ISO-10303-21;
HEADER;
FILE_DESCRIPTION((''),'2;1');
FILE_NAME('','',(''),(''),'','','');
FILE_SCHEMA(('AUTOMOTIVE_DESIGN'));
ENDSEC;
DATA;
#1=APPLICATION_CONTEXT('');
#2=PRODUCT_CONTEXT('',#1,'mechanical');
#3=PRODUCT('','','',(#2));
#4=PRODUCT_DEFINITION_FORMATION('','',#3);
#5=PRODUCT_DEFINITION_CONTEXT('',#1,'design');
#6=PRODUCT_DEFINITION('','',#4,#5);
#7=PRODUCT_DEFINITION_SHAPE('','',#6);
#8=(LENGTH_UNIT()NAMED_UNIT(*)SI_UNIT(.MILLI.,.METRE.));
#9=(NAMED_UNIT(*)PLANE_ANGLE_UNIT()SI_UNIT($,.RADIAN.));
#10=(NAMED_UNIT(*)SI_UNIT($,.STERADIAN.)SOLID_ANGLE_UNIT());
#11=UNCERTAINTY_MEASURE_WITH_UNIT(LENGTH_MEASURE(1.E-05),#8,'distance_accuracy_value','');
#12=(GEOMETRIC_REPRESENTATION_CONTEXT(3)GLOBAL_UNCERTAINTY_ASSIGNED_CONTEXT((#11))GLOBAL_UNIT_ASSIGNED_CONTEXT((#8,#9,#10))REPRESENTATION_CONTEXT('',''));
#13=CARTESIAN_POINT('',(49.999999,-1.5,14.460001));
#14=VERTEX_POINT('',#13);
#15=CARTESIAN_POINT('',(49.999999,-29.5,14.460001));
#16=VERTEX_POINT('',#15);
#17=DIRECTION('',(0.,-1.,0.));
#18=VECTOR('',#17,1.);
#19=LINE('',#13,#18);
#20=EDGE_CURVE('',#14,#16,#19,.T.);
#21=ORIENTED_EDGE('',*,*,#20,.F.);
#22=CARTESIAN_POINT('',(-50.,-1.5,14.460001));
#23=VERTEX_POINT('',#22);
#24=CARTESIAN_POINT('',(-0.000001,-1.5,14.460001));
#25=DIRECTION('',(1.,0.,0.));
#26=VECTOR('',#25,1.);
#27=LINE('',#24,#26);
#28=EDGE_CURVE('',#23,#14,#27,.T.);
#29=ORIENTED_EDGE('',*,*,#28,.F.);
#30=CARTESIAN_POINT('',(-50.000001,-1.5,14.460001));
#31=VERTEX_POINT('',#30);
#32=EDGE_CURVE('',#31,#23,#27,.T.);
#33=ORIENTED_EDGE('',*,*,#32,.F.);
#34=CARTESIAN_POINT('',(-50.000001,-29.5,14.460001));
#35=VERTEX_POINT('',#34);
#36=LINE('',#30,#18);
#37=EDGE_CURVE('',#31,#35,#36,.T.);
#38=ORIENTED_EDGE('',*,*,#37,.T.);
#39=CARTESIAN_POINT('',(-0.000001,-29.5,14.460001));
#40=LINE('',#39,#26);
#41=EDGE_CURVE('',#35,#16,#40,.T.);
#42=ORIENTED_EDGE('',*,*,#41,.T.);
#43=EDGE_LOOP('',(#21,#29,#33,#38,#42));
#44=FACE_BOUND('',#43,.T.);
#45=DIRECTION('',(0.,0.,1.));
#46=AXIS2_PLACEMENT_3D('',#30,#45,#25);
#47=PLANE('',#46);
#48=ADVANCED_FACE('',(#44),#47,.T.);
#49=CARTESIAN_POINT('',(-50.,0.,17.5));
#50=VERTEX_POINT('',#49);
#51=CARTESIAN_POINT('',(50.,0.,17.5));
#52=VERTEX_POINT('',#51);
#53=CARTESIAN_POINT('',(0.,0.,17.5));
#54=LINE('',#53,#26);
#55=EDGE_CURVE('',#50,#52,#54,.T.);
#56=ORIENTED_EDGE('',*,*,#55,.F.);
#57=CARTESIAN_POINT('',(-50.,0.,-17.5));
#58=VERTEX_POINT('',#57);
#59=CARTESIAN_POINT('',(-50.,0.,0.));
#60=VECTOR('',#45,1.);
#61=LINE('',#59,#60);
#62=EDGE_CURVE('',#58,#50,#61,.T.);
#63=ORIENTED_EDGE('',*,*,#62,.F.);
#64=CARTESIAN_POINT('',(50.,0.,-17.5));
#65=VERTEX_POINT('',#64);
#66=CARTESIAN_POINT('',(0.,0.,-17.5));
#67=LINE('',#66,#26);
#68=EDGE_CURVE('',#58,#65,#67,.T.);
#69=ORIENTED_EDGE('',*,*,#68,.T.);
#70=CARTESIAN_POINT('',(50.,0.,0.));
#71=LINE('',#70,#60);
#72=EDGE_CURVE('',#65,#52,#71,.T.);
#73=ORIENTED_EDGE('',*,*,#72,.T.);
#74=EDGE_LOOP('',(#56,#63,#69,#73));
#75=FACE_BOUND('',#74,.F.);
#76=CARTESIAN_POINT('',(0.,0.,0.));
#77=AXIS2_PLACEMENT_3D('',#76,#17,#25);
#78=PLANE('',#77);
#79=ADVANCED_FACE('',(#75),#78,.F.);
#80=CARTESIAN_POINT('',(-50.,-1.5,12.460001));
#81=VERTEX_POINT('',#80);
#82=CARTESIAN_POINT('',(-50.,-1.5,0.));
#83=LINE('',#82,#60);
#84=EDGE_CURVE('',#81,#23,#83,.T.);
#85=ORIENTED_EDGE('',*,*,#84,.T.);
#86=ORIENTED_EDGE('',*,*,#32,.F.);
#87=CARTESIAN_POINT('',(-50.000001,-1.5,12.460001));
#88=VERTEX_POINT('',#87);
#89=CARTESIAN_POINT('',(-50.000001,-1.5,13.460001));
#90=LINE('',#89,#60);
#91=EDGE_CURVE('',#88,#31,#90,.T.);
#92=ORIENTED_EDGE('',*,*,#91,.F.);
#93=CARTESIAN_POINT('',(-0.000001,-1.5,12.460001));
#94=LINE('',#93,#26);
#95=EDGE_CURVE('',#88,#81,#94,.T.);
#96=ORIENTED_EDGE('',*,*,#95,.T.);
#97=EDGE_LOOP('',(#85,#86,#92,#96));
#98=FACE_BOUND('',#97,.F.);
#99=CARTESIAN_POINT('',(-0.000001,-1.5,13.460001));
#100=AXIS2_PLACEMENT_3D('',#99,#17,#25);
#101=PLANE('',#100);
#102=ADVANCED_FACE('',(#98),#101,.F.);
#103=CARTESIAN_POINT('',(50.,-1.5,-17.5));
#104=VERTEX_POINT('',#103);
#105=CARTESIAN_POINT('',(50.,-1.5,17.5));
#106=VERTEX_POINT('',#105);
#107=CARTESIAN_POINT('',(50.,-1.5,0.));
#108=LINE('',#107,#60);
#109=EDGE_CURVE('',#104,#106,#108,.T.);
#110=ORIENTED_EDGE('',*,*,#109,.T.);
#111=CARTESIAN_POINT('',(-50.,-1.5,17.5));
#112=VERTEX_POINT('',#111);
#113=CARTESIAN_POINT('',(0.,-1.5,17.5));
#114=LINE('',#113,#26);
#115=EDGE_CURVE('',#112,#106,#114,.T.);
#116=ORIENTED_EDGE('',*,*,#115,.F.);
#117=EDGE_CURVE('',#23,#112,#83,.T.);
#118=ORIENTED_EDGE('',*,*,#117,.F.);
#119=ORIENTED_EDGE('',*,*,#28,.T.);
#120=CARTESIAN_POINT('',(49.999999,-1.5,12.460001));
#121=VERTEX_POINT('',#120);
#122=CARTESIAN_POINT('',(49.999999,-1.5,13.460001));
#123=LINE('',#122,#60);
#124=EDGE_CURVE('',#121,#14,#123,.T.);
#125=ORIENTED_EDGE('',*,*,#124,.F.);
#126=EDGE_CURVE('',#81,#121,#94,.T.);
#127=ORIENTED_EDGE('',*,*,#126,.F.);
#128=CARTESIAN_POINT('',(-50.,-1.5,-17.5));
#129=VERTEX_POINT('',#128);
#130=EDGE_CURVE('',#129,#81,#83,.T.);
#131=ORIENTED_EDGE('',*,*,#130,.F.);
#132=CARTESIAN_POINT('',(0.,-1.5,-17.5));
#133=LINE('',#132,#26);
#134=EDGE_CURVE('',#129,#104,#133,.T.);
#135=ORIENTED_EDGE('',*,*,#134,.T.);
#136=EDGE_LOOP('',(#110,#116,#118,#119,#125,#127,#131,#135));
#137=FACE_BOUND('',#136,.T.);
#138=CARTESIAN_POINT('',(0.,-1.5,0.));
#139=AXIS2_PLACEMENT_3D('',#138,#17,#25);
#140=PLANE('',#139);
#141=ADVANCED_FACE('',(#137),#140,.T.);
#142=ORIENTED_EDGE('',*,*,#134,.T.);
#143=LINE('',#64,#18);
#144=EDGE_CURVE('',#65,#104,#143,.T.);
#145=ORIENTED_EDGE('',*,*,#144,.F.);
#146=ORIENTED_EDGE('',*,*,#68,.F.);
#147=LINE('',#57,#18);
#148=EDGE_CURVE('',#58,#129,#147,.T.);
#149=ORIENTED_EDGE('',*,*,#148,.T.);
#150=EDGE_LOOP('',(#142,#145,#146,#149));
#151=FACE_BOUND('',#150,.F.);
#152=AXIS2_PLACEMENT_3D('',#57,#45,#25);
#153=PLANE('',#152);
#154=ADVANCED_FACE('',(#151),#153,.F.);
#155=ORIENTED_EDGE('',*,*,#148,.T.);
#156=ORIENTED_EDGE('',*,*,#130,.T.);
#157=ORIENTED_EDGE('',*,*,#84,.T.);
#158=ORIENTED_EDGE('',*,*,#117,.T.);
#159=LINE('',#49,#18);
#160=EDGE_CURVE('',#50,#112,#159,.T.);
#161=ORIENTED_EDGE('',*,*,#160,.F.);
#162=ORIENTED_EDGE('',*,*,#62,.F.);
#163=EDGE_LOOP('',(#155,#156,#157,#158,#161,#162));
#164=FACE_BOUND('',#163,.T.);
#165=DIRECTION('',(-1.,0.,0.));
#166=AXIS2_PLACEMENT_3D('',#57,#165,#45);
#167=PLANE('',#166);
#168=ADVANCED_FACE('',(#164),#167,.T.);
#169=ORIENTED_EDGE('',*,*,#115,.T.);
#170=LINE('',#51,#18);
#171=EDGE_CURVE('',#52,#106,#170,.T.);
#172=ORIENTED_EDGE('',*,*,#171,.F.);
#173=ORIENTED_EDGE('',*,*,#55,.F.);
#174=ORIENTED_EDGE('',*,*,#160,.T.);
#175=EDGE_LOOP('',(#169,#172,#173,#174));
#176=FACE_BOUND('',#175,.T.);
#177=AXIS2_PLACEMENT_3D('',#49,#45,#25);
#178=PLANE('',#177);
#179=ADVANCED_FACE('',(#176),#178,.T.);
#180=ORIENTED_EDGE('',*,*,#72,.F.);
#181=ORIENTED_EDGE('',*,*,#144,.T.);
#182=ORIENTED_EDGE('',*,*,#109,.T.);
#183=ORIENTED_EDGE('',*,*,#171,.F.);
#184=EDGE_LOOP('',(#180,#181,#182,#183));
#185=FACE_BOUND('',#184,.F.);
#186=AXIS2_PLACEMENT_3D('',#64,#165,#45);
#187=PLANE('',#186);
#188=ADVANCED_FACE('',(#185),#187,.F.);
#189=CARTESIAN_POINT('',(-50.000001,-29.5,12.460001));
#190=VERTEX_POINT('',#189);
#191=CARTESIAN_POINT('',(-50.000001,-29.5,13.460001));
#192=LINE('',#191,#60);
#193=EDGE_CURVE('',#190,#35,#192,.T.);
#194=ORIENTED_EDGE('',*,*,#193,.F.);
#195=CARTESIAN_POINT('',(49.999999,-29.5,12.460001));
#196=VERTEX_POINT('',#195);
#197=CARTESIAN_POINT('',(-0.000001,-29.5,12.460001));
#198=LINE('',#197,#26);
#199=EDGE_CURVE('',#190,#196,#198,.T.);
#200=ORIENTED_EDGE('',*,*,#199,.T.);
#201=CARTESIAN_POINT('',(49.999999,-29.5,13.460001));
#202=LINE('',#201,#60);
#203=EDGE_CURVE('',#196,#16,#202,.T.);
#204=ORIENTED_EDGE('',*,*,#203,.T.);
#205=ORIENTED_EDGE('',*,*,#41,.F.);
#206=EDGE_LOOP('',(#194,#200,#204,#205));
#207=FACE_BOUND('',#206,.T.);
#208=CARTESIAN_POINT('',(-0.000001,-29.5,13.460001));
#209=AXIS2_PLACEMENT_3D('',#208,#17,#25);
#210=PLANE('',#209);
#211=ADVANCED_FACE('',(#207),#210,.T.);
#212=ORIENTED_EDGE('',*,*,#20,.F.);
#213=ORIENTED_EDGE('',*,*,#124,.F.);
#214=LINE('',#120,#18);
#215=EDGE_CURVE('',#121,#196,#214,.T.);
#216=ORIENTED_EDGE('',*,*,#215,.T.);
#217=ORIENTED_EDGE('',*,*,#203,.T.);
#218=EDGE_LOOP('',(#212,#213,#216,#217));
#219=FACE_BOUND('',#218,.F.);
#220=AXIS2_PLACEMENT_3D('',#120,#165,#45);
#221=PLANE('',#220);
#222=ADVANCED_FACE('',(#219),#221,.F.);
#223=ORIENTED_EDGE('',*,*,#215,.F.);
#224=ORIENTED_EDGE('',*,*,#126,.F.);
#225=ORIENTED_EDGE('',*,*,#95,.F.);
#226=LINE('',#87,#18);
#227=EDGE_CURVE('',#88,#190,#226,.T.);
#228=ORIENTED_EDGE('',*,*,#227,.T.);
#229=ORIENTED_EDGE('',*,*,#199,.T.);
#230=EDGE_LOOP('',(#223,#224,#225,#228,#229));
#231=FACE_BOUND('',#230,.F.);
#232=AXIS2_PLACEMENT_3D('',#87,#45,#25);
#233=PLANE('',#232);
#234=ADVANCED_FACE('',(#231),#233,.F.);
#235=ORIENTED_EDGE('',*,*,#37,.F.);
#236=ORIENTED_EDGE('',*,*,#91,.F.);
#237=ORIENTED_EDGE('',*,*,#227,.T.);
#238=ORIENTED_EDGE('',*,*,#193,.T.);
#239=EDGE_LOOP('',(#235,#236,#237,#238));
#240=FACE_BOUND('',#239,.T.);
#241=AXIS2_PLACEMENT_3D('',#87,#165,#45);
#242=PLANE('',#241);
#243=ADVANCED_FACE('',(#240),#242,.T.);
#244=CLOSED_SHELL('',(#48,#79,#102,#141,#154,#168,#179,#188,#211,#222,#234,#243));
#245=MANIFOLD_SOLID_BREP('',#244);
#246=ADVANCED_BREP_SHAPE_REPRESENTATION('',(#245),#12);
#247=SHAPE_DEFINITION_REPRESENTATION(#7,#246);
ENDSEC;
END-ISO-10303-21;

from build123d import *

# Parameters (mm, degrees)
F0_W     = 100
F0_H     = 35
F1_DEPTH = 1.5
F2_W     = 100
F2_H     = 2
F3_DEPTH = 28


with BuildPart() as f1:
    # F0 (on Front) → F1 (new body)
    with BuildSketch(Plane.XZ):
        Rectangle(F0_W, F0_H)
    extrude(amount=F1_DEPTH)

    # F2 (on face) → F3 (join)
    with BuildSketch(Plane.XZ.offset(1.5)):
        with Locations((-1e-06, 13.460001)):
            Rectangle(F2_W, F2_H)
    extrude(amount=F3_DEPTH)


solid = f1.part
